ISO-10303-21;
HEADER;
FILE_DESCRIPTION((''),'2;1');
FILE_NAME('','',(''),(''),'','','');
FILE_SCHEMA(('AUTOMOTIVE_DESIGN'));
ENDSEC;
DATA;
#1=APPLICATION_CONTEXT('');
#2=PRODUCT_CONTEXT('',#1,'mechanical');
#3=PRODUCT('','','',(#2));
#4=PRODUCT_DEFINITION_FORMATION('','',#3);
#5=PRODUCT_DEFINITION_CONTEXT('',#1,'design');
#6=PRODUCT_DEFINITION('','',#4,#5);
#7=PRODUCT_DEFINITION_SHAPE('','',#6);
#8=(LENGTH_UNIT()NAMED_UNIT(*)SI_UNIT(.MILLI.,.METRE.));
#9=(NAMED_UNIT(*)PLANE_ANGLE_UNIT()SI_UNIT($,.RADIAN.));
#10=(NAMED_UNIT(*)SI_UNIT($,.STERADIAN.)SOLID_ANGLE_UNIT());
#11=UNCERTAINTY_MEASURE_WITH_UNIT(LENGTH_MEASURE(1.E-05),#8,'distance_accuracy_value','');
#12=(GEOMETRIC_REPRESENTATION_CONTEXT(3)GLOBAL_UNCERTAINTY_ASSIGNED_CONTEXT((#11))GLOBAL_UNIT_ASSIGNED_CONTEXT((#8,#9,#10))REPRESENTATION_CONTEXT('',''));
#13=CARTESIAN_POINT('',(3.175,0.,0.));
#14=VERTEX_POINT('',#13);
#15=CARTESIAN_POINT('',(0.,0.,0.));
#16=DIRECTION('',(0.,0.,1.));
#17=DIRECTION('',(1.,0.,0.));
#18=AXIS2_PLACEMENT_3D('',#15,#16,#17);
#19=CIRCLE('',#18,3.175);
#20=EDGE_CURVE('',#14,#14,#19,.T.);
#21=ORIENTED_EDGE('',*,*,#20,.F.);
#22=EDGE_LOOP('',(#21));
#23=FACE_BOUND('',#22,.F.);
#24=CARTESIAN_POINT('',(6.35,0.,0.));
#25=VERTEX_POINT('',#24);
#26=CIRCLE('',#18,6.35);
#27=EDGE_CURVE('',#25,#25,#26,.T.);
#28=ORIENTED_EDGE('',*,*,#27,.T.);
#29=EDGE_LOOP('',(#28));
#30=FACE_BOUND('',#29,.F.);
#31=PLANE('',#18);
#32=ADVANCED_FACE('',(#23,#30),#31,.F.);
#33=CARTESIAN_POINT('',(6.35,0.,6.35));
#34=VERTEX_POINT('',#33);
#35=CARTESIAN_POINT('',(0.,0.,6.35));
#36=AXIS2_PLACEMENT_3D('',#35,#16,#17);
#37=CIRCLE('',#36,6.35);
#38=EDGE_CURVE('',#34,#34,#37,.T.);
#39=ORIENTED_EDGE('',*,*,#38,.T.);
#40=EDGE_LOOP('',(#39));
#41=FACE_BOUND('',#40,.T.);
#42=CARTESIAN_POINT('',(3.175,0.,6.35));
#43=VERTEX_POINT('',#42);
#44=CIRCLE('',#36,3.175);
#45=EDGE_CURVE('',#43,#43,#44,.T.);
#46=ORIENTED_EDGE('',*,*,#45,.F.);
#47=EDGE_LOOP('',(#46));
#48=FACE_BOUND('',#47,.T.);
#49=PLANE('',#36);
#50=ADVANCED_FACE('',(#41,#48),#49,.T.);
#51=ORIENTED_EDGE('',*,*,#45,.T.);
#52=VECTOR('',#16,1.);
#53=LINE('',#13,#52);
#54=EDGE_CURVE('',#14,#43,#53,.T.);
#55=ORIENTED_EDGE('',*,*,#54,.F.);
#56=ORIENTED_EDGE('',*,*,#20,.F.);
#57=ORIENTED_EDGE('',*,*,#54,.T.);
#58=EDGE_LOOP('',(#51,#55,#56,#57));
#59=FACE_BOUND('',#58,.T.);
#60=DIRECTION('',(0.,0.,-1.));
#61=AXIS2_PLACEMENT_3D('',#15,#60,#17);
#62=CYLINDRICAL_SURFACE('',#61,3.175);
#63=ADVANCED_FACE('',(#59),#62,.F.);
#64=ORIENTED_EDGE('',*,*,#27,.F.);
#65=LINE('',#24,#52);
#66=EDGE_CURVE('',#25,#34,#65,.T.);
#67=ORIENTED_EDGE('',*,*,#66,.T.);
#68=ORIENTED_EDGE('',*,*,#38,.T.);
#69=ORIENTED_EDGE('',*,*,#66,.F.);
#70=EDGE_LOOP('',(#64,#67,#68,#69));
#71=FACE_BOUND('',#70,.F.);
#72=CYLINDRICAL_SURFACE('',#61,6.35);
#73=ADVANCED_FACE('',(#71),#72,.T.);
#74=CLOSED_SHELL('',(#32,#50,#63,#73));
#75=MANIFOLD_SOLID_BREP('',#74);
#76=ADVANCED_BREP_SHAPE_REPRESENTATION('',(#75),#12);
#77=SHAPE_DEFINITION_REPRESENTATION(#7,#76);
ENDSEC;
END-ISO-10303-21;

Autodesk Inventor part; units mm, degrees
ref_plane "YZ Plane" through (0, 0, 0) normal (1, 0, 0) x (0, 1, 0)
ref_plane "XZ Plane" through (0, 0, 0) normal (0, 1, 0) x (-1, 0, 0)
ref_plane "XY Plane" through (0, 0, 0) normal (0, 0, 1) x (1, 0, 0)
sketch "Sketch1" plane through (0, 0, 0) normal (0, 0, 1) x (1, 0, 0)
  circle A0 centre (0, 0) radius 6.35
  circle A1 centre (0, 0) radius 3.175
  dimension "d0" = 12.7
  dimension "d1" = 6.35
extrude "Extrusion1" add sketch "Sketch1" along normal blind 6.35
properties part number "Shaft Collar (0.25)" material "Steel"
